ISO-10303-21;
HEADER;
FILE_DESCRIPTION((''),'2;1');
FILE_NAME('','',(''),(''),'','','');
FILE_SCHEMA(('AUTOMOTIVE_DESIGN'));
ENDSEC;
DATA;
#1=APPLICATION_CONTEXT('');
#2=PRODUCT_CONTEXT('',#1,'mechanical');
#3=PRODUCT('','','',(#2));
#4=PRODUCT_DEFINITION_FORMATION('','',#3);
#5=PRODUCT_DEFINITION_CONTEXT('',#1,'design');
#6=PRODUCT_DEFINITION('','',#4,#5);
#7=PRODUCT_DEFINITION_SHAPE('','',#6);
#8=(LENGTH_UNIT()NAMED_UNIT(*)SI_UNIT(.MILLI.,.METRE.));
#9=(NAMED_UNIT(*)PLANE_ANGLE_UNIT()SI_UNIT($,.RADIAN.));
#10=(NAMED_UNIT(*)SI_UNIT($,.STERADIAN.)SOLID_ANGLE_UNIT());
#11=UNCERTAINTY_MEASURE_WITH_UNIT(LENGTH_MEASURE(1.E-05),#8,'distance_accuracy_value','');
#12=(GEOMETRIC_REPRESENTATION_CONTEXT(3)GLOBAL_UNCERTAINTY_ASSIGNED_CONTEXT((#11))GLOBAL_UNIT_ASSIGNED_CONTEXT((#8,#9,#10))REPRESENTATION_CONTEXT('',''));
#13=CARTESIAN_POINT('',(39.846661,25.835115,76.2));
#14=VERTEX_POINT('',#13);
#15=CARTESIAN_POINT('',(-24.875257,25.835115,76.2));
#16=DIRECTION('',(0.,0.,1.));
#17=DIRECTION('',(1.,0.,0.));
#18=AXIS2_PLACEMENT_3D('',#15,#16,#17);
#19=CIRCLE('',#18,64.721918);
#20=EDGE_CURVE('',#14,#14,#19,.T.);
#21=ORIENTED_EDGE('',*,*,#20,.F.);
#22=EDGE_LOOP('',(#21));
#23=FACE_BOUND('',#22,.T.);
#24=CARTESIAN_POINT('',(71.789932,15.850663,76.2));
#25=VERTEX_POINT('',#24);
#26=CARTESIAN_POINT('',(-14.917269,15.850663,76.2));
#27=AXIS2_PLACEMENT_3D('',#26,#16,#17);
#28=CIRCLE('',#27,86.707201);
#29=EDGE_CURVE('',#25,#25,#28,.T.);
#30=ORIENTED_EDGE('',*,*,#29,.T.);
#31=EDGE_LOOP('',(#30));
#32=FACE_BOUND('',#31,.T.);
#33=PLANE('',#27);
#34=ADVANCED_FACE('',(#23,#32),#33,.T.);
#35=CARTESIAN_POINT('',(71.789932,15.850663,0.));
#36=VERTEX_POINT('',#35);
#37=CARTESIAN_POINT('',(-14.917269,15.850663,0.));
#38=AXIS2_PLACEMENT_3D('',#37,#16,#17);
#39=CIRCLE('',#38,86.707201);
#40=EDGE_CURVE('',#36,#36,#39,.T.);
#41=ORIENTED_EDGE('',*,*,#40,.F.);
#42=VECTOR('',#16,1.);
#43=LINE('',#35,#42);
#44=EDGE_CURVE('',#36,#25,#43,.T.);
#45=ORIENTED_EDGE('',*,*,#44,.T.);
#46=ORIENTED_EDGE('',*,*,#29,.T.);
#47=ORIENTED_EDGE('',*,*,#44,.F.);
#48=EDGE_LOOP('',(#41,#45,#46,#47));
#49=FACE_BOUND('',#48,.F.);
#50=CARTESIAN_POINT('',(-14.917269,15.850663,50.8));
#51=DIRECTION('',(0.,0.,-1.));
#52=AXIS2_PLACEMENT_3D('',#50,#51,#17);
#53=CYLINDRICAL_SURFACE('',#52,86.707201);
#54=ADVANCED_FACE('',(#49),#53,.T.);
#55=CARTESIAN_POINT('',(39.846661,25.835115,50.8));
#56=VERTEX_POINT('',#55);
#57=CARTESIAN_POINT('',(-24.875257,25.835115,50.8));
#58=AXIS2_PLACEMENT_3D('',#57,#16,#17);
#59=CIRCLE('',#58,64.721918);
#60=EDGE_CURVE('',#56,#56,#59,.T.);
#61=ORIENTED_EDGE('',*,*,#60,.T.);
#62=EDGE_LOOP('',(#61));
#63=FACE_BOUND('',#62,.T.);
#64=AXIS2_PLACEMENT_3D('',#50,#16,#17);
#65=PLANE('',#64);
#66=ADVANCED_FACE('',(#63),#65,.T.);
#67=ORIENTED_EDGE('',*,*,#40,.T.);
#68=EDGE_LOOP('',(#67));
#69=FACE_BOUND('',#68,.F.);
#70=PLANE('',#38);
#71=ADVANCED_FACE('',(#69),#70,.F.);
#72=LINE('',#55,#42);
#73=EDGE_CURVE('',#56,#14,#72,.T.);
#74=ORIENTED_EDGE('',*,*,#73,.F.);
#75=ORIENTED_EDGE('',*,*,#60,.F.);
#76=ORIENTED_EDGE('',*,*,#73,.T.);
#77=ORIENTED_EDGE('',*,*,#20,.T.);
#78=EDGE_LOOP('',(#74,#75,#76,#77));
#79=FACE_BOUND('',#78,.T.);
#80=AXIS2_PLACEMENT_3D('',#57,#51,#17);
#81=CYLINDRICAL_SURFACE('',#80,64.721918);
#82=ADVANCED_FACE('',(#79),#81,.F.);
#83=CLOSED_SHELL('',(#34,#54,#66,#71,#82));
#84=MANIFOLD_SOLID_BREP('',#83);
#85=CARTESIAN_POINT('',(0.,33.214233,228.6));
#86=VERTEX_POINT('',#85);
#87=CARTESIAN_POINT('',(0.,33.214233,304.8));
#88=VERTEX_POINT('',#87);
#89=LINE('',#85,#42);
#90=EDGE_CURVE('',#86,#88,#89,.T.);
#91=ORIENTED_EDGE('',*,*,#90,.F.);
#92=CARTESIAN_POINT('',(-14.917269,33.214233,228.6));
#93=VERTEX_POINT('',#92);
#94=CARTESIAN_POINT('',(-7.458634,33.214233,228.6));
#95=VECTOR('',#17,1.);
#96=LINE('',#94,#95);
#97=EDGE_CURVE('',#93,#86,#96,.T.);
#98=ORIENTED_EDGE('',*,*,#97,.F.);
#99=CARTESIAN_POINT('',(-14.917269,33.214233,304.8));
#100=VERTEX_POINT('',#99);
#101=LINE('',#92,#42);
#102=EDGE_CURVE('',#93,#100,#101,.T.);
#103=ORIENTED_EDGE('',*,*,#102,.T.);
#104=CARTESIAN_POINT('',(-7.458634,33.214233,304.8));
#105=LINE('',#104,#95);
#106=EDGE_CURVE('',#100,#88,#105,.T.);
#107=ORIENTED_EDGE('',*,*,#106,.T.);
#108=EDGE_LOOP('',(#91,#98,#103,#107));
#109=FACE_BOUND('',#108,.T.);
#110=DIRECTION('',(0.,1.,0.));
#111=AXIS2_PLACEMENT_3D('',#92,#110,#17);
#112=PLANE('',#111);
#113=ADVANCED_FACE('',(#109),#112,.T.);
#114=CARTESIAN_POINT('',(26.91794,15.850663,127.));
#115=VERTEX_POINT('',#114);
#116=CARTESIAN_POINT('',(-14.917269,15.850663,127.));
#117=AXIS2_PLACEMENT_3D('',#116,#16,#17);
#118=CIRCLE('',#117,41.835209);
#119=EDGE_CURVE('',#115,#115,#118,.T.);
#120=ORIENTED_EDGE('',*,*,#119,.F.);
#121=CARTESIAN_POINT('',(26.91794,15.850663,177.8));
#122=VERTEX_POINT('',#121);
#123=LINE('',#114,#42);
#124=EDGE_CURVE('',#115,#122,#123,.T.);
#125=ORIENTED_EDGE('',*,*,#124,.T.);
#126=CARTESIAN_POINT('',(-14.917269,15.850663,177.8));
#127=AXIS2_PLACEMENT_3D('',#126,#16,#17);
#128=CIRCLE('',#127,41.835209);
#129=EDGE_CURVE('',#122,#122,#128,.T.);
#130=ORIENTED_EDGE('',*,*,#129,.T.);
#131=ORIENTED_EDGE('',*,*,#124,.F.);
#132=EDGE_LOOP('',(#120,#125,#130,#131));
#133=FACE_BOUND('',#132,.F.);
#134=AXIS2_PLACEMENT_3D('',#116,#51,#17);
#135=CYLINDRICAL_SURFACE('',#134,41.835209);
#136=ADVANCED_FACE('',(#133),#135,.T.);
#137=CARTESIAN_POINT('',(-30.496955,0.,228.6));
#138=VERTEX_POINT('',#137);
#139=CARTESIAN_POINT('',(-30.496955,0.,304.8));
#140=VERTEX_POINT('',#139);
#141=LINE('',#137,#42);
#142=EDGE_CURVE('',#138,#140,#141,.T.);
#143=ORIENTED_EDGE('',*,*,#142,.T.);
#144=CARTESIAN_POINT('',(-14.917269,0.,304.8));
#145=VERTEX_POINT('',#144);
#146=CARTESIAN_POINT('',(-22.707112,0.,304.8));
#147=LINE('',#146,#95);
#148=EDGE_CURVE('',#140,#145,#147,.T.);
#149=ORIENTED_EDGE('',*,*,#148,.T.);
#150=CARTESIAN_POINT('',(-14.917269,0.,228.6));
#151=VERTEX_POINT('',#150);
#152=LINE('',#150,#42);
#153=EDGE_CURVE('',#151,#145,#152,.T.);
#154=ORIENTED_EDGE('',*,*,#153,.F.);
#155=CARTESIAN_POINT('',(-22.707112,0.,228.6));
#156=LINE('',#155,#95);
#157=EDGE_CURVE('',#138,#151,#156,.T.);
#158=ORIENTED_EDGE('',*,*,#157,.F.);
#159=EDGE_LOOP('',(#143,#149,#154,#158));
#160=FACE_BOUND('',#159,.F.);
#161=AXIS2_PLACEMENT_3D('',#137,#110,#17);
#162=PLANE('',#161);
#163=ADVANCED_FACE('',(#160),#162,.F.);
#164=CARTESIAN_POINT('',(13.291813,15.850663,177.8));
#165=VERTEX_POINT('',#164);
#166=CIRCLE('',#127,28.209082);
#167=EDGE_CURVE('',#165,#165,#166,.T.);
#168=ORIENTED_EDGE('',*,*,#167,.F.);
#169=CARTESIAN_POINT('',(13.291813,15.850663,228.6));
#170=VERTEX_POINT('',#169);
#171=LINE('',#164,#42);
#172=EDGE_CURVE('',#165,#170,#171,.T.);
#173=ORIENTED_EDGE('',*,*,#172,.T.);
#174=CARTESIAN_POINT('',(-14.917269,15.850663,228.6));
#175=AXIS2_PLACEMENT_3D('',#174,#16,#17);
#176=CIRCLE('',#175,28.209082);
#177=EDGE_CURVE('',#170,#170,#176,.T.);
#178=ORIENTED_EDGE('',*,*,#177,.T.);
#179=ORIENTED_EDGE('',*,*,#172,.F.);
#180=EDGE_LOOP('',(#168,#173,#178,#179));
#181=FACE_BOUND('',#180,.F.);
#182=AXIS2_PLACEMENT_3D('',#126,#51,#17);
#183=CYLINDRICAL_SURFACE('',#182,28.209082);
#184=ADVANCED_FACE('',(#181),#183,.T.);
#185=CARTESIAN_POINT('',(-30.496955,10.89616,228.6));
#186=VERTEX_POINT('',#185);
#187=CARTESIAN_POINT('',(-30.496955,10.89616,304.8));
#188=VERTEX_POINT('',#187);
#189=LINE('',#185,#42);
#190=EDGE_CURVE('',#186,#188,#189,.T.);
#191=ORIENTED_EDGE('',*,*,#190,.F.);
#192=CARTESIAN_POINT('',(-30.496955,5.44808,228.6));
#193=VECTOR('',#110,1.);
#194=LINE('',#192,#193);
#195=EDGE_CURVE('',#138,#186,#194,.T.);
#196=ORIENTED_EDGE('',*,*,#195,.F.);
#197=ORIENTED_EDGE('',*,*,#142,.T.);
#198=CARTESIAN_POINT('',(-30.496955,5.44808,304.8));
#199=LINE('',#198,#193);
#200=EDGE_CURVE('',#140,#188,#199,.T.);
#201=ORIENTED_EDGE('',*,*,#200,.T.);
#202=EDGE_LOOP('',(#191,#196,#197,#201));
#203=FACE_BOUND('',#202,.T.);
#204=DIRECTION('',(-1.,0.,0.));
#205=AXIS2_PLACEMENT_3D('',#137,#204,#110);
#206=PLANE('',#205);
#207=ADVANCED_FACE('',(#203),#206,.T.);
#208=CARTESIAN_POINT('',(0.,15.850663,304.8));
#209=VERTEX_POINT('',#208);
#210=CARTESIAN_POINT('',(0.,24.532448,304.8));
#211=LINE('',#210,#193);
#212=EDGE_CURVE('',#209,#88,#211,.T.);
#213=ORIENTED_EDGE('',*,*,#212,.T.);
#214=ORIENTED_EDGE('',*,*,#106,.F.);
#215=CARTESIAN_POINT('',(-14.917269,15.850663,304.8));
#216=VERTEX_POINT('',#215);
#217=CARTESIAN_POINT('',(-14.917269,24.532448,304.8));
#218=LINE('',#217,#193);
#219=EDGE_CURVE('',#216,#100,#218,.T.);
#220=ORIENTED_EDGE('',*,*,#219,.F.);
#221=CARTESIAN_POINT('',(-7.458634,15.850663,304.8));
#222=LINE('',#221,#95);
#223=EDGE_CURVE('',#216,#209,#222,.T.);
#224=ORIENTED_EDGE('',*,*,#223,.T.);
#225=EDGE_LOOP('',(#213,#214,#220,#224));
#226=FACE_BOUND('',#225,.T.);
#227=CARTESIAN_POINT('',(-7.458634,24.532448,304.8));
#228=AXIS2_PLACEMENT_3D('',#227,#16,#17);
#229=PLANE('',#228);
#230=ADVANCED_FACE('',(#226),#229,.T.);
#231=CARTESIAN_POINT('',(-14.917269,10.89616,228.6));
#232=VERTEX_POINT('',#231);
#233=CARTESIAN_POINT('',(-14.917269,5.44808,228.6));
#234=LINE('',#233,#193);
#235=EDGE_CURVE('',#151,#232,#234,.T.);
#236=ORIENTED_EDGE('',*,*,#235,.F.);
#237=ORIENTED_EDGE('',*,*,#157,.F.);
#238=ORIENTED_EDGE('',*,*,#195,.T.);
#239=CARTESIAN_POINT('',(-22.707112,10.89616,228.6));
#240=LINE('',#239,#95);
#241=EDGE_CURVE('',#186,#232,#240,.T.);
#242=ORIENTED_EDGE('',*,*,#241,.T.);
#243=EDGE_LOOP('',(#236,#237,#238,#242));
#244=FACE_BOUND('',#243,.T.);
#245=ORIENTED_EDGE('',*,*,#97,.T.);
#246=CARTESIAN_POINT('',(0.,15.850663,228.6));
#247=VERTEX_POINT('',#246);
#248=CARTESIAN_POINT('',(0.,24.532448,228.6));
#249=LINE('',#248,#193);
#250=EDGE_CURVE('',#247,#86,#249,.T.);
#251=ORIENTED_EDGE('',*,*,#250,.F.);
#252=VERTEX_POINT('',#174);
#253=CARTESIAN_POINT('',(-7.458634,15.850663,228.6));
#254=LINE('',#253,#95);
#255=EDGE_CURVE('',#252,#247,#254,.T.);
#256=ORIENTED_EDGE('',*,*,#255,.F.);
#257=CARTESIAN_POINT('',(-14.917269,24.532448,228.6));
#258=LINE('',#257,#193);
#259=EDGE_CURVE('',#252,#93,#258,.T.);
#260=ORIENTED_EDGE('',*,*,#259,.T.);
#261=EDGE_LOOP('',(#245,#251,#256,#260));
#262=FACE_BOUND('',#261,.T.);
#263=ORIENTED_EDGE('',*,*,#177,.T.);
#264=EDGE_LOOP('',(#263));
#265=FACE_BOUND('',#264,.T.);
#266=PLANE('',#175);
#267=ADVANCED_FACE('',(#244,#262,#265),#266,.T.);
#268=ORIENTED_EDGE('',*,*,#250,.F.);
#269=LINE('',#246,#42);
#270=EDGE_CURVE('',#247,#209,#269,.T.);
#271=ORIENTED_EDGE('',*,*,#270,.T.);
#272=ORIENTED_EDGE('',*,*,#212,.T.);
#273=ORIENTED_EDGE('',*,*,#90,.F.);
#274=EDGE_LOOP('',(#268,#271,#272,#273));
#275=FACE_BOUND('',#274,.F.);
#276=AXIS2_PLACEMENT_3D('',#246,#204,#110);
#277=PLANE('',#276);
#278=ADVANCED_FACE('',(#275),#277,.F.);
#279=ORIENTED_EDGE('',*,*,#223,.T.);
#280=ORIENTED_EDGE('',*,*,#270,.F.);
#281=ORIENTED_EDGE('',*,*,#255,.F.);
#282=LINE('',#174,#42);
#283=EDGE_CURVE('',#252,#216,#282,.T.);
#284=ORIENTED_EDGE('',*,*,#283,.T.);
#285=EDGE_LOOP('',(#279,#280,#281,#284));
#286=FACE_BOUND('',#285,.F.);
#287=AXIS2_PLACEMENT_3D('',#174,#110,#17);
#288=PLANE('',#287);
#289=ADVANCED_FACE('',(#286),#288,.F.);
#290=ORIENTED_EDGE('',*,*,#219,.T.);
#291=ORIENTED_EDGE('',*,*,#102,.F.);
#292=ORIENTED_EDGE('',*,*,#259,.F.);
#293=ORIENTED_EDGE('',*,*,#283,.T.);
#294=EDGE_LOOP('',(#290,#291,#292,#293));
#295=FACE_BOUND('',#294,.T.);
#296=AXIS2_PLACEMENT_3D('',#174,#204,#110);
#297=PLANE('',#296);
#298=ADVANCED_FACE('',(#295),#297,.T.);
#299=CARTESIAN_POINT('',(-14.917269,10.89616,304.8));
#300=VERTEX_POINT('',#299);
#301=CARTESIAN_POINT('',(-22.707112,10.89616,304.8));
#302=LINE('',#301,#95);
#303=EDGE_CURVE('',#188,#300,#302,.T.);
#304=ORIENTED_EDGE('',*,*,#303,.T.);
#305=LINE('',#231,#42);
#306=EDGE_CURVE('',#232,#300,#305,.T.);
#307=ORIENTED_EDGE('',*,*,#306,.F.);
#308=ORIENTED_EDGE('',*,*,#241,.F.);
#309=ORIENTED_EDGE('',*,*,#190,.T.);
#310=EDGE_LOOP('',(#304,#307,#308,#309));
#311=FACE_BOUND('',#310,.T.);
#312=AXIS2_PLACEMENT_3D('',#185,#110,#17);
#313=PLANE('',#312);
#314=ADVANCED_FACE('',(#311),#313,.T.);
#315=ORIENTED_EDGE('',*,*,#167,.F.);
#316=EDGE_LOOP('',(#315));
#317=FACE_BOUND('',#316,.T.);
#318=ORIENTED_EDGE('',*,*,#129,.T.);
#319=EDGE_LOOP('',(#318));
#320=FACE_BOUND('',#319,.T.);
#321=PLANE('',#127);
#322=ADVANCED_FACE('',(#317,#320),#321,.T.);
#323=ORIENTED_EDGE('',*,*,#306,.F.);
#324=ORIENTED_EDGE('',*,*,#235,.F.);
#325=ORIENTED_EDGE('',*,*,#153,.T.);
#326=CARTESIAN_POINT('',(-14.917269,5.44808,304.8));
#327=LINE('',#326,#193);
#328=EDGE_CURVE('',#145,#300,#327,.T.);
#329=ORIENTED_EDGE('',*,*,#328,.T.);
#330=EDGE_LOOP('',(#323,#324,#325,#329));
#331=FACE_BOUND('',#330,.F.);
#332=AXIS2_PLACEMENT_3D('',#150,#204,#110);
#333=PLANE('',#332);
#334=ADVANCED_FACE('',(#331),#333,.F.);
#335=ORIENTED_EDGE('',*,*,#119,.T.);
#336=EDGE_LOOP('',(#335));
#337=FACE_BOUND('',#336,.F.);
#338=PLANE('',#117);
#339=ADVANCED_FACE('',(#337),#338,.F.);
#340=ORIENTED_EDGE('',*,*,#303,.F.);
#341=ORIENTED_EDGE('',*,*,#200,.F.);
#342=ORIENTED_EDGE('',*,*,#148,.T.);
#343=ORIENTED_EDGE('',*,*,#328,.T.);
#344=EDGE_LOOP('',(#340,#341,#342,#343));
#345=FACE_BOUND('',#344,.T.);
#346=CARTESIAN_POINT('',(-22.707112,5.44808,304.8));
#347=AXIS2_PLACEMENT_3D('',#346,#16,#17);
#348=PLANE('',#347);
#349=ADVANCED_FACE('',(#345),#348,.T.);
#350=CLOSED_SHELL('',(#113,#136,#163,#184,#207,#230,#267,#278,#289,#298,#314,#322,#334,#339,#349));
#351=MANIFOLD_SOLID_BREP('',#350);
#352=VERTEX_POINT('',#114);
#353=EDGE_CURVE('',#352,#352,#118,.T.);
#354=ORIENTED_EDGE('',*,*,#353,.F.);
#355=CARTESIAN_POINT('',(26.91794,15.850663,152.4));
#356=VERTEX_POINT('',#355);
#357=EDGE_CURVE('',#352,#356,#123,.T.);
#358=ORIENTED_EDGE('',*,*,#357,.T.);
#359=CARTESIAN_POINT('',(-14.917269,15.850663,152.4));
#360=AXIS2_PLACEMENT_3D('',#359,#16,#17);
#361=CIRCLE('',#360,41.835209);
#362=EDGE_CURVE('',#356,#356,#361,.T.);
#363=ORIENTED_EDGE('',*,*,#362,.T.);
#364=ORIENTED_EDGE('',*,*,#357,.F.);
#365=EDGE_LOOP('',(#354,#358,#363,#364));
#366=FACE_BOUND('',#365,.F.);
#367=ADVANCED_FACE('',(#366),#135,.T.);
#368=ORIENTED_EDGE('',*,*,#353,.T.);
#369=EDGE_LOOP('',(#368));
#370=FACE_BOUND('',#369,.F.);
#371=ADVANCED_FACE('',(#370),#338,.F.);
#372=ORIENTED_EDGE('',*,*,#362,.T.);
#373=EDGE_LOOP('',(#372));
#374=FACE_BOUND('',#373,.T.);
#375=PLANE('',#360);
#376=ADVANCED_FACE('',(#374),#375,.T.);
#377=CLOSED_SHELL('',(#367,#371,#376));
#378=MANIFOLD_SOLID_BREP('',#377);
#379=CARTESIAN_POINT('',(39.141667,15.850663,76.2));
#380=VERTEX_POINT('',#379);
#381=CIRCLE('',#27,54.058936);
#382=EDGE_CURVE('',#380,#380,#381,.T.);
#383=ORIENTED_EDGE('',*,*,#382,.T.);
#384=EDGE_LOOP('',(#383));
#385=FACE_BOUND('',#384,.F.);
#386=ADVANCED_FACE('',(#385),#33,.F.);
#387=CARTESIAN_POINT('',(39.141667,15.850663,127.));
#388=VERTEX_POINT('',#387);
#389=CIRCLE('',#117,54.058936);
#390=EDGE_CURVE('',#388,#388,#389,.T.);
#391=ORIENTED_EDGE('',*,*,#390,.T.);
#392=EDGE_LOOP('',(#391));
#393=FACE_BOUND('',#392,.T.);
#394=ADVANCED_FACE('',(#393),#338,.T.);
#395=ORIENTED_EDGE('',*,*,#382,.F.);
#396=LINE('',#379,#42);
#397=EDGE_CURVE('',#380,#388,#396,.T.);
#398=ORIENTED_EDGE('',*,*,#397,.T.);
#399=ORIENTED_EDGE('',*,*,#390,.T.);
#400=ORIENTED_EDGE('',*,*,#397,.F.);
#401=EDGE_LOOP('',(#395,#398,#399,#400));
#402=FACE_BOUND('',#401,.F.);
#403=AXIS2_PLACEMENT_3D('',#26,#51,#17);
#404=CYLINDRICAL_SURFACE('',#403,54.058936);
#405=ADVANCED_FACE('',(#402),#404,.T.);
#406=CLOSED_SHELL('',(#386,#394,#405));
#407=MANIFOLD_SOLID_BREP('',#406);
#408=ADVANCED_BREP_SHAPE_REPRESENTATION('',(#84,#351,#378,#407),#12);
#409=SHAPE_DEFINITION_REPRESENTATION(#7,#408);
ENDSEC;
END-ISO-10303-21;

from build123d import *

# Parameters (mm, degrees)
F0_R      = 86.707201
F1_DEPTH  = 50.8
F3_DEPTH  = 25.4
F2_R      = 86.707201
F2_R_2    = 64.721918
F4_DEPTH  = 25.4
F5_R      = 54.058936
F6_DEPTH  = 50.8
F7_R      = 41.835209
F8_DEPTH  = 50.8
F9_DEPTH  = 25.4
F10_R     = 28.209082
F11_DEPTH = 50.8
F12_W     = 14.917269
F12_H     = 17.363571
F13_DEPTH = 76.2
F14_W     = 15.579686
F14_H     = 10.89616
F15_DEPTH = 76.2


with BuildPart() as f1:
    # F0 (on Top) → F1 (new body)
    with BuildSketch(Plane.XY):
        with Locations((-14.917269, 15.850663)):
            Circle(F0_R)
    extrude(amount=F1_DEPTH)

    # F0 (on Top) → F3 (join)
    with BuildSketch(Plane.XY):
        with Locations((-14.917269, 15.850663)):
            Circle(F0_R)
    extrude(amount=F3_DEPTH)

    # F2 (on face) → F4 (join)
    with BuildSketch(Plane.XY.offset(50.8)):
        with Locations((-14.917269, 15.850663)):
            Circle(F2_R)
        with Locations((-24.875257, 25.835115)):
            Circle(F2_R_2, mode=Mode.SUBTRACT)
    extrude(amount=F4_DEPTH)


with BuildPart() as f6:
    # F5 (on face) → F6 (new body)
    with BuildSketch(Plane.XY.offset(76.2)):
        with Locations((-14.917269, 15.850663)):
            Circle(F5_R)
    extrude(amount=F6_DEPTH)


with BuildPart() as f8:
    # F7 (on face) → F8 (new body)
    with BuildSketch(Plane.XY.offset(127)):
        with Locations((-14.917269, 15.850663)):
            Circle(F7_R)
    extrude(amount=F8_DEPTH)

    # F10 (on face) → F11 (join)
    with BuildSketch(Plane.XY.offset(177.8)):
        with Locations((-14.917269, 15.850663)):
            Circle(F10_R)
    extrude(amount=F11_DEPTH)

    # F12 (on face) → F13 (join)
    with BuildSketch(Plane.XY.offset(228.6)):
        with Locations((-7.458634, 24.532448)):
            Rectangle(F12_W, F12_H)
    extrude(amount=F13_DEPTH)

    # F14 (on face) → F15 (join)
    with BuildSketch(Plane.XY.offset(228.6)):
        with Locations((-22.707112, 5.44808)):
            Rectangle(F14_W, F14_H)
    extrude(amount=F15_DEPTH)


with BuildPart() as f9:
    # F7 (on face) → F9 (new body)
    with BuildSketch(Plane.XY.offset(127)):
        with Locations((-14.917269, 15.850663)):
            Circle(F7_R)
    extrude(amount=F9_DEPTH)


solid = Compound([f1.part, f6.part, f8.part, f9.part])
